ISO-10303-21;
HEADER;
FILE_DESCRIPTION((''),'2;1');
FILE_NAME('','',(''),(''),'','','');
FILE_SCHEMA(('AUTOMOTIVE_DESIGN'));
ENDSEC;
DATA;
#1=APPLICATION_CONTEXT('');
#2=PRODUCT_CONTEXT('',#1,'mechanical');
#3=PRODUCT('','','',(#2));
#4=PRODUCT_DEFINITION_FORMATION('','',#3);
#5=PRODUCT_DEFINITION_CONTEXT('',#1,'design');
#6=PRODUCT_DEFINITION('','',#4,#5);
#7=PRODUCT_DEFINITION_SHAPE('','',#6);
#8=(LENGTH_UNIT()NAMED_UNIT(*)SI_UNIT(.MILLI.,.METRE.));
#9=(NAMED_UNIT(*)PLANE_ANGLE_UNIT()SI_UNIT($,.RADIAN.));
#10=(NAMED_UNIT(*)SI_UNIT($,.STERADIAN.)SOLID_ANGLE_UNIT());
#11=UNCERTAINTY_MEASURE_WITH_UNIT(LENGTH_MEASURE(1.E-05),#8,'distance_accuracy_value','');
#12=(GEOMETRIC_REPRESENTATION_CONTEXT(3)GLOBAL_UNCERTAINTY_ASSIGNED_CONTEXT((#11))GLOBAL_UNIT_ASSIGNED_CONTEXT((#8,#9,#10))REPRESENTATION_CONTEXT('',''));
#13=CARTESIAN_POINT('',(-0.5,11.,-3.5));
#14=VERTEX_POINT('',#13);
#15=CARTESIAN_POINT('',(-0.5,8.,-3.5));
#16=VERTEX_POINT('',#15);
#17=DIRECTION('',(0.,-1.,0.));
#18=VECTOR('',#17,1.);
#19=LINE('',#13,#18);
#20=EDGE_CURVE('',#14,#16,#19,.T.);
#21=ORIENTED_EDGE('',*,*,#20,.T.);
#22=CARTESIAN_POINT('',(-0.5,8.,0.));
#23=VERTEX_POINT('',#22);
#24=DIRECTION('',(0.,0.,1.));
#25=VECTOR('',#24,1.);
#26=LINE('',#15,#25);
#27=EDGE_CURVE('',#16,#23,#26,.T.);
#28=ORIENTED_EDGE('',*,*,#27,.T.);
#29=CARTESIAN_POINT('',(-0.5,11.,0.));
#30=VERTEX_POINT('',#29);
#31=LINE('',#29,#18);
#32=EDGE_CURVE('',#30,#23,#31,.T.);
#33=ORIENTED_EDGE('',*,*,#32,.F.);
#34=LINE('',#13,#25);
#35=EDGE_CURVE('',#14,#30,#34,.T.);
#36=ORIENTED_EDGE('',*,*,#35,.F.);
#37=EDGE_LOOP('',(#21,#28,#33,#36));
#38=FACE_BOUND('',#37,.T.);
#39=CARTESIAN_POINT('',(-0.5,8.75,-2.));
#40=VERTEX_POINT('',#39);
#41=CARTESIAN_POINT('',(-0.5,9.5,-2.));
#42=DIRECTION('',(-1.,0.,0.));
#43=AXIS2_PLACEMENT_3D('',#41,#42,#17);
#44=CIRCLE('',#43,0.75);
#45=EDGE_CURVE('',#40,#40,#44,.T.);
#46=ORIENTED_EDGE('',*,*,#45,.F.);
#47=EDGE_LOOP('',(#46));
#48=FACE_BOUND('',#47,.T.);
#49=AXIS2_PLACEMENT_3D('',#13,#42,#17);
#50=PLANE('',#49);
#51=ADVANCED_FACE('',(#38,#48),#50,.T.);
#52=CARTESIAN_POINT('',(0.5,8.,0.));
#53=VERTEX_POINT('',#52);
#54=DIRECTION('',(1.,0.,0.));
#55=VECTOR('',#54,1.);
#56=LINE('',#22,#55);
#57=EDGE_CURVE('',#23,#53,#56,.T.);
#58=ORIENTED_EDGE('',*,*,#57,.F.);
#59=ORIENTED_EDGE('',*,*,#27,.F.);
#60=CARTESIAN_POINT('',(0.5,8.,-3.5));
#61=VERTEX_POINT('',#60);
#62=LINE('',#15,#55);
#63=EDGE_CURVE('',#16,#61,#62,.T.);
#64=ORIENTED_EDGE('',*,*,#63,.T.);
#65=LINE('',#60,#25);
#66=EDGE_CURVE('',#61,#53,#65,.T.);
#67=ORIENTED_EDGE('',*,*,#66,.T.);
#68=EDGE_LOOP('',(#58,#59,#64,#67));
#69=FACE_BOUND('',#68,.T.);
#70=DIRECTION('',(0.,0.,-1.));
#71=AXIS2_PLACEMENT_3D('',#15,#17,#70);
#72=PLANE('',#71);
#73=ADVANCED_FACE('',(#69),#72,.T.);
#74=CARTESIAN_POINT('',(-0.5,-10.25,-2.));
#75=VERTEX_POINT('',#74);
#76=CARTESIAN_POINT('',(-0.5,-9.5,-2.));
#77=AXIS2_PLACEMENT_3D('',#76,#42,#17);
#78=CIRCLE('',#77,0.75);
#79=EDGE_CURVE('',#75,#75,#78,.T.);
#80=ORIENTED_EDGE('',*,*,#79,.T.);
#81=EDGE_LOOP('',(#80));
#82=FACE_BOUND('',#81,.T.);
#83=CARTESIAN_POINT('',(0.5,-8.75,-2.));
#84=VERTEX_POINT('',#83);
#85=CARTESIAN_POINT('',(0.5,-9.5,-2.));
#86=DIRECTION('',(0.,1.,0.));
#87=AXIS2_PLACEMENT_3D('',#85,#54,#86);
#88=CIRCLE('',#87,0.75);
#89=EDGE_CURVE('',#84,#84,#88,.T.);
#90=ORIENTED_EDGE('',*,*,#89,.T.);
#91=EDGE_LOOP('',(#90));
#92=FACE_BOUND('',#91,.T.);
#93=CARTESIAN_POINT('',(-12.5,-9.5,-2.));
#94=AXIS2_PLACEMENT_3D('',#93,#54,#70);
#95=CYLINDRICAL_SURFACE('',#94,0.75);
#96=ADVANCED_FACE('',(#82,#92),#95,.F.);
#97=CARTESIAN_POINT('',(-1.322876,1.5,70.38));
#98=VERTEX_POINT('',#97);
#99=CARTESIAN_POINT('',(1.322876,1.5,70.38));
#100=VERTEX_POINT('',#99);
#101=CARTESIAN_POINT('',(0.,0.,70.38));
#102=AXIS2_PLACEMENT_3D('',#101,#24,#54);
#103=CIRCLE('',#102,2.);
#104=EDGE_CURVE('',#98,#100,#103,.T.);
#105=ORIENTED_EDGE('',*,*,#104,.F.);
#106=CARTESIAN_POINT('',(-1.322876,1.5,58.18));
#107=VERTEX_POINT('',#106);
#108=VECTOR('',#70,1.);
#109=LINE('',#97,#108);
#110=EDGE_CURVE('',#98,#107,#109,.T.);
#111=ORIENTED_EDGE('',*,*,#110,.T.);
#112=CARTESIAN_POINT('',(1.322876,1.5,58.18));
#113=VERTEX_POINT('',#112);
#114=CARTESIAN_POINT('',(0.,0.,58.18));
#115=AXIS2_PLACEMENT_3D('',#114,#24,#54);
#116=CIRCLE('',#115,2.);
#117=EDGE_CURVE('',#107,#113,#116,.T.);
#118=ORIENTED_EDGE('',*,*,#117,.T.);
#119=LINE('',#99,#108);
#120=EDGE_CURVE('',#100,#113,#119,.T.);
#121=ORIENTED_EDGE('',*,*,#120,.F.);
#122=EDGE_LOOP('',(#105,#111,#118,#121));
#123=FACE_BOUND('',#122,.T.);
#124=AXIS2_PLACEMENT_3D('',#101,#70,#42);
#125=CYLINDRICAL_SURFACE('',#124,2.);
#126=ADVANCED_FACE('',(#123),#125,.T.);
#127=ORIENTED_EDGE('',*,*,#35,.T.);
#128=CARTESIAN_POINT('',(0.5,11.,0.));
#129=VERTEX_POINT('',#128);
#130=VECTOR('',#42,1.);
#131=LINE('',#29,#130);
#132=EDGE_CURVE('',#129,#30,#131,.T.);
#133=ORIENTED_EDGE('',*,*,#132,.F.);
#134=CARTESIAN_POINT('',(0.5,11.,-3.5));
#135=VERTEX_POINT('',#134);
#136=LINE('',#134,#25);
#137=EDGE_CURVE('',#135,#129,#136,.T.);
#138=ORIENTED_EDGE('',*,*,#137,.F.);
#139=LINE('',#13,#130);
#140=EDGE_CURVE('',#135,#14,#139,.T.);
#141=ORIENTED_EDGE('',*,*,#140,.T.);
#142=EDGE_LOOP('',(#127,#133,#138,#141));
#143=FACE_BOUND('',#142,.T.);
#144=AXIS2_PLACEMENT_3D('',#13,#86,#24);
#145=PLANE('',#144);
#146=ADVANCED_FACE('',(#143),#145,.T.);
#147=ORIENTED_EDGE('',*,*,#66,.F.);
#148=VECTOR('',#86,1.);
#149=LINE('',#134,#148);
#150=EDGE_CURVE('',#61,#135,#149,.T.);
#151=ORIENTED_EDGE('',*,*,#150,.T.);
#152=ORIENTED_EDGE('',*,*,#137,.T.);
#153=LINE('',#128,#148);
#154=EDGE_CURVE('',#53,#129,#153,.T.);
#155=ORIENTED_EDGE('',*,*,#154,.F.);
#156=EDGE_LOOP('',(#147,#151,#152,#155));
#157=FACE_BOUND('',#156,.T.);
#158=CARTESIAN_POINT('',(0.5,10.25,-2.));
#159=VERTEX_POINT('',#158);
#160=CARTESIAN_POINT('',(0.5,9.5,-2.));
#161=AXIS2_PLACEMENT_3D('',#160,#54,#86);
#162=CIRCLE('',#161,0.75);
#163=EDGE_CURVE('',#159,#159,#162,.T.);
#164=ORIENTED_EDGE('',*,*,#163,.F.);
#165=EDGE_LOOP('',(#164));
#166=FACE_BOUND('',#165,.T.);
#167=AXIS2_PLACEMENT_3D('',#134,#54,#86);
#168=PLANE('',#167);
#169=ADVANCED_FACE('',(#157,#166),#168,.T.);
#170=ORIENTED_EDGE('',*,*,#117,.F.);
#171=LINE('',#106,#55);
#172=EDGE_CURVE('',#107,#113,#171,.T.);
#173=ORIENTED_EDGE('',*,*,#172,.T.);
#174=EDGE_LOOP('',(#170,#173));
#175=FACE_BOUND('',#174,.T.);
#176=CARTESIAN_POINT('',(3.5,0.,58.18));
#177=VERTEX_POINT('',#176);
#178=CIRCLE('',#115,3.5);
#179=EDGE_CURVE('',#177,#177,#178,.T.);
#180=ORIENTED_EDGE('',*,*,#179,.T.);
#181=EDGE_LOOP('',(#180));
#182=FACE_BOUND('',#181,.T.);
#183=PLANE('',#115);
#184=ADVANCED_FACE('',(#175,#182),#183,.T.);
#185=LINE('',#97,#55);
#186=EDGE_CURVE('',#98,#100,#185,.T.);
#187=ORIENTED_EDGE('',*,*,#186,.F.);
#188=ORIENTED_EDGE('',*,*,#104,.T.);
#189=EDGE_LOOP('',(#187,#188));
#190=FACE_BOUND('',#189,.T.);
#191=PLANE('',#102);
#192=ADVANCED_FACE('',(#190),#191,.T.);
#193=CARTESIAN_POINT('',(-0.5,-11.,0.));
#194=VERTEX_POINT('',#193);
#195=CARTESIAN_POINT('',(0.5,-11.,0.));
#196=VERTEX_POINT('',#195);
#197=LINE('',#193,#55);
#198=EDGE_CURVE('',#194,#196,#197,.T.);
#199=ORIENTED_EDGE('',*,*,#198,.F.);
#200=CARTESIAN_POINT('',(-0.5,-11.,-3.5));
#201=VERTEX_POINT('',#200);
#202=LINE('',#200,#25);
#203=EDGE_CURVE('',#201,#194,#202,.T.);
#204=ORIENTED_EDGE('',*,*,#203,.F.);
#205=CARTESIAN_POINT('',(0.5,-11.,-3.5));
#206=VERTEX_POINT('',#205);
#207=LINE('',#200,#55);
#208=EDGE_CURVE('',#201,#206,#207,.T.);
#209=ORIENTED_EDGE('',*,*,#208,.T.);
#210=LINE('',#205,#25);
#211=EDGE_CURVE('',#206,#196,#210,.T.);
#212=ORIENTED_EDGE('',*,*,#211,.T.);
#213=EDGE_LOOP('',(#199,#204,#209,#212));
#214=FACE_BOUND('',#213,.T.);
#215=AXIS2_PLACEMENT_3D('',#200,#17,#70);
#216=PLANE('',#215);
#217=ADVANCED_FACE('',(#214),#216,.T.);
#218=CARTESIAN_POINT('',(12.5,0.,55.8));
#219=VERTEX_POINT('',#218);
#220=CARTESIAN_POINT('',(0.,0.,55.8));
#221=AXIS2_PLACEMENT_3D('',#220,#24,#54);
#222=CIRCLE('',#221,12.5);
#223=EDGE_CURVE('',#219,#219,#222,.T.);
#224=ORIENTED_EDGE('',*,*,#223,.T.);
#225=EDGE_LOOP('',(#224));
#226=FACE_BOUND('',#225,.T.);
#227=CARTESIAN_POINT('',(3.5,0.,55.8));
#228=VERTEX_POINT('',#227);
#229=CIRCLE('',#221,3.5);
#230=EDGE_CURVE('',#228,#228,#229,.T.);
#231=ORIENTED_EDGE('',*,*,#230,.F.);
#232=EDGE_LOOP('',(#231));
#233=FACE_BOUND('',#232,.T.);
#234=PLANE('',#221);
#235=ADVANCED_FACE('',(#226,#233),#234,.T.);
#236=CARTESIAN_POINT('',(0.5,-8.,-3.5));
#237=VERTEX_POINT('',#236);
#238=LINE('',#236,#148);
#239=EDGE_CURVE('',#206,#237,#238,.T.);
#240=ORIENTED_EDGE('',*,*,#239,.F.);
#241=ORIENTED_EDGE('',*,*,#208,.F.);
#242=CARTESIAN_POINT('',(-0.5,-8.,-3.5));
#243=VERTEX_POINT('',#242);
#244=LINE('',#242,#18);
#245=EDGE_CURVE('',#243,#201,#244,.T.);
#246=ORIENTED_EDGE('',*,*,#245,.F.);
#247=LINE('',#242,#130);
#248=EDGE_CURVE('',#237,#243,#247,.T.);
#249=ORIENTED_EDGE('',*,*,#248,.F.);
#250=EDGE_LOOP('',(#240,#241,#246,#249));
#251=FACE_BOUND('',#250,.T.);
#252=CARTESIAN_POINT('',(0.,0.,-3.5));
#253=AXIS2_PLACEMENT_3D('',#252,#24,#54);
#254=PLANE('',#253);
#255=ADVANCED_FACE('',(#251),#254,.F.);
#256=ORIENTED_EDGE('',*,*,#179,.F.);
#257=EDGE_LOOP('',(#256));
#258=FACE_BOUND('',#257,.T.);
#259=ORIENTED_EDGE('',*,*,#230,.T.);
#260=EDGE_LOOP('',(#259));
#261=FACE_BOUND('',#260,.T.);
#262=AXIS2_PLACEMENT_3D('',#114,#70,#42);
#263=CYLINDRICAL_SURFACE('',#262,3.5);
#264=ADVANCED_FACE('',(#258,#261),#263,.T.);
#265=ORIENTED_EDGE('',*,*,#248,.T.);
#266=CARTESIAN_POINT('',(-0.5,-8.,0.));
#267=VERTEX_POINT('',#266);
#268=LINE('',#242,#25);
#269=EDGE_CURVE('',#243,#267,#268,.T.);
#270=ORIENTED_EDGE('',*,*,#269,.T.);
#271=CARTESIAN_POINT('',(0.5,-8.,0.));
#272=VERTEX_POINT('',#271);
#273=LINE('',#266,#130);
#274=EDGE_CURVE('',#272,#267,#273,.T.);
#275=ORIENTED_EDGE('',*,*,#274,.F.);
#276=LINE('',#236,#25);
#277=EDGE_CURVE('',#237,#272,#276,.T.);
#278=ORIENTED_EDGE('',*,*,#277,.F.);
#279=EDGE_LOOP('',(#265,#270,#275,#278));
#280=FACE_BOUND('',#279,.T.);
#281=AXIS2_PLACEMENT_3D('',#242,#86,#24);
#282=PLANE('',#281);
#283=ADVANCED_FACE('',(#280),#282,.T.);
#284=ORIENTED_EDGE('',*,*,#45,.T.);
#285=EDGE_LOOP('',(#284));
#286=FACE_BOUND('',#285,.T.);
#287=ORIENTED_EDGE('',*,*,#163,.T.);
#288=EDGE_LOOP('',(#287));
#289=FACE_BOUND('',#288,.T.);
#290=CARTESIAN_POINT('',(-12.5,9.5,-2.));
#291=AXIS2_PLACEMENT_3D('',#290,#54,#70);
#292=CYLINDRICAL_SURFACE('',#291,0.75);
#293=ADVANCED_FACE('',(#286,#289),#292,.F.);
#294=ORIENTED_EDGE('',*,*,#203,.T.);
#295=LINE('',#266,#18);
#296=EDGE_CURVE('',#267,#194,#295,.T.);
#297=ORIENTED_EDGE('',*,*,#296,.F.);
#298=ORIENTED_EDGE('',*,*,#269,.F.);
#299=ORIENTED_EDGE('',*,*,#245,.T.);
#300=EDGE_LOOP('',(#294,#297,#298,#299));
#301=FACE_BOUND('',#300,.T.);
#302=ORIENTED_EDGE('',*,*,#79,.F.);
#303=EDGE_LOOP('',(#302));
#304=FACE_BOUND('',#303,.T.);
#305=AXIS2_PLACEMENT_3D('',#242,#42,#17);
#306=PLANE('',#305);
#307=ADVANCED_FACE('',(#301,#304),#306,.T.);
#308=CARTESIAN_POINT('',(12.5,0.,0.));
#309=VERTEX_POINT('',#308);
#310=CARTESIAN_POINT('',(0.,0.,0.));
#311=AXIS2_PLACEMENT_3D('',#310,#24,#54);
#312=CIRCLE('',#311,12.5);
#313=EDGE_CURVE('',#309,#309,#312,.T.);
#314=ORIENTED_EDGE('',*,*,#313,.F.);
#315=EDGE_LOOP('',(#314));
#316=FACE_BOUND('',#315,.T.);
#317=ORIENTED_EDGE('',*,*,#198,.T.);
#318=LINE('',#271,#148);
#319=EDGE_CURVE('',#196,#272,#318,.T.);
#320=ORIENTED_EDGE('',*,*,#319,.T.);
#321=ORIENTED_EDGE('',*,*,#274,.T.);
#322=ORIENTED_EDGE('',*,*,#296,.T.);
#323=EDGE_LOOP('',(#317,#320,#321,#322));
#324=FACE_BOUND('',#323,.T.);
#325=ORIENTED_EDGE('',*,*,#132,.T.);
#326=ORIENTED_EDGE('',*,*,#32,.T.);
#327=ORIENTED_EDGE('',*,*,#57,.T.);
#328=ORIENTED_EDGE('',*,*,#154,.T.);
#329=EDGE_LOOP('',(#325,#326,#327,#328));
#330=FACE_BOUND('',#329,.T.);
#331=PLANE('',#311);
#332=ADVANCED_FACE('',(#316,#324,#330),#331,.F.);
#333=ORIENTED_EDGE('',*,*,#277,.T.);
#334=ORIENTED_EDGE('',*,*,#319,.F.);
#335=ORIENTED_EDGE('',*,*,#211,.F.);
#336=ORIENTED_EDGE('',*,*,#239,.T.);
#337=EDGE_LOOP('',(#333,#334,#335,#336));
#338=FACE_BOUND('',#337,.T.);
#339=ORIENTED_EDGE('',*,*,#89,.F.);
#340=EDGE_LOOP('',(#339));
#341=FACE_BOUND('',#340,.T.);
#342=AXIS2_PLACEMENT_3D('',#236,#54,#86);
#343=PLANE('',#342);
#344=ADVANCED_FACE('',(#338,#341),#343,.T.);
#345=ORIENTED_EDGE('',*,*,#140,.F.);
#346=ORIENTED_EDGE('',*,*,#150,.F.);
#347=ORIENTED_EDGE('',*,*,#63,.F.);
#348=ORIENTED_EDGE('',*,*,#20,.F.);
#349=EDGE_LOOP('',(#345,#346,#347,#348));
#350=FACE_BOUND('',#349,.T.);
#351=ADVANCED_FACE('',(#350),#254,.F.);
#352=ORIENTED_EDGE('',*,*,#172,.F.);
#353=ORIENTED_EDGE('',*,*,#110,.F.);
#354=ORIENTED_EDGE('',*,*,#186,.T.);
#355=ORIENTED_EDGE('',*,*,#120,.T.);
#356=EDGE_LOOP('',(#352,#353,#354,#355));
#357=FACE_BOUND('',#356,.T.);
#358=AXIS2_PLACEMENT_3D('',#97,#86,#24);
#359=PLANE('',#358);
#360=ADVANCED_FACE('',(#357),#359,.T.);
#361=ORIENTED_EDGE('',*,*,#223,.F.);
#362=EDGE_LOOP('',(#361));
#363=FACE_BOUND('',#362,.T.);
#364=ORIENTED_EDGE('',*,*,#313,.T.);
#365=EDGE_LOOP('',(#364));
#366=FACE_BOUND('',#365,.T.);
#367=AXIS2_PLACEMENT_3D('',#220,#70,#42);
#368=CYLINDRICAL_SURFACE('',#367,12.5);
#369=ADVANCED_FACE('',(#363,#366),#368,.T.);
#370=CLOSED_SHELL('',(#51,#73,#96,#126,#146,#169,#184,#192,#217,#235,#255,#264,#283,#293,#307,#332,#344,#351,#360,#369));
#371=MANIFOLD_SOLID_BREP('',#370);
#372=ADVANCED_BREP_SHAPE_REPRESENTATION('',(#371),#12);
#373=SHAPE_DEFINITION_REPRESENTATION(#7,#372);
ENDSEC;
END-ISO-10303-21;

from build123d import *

# Parameters (mm, degrees)
SKETCH1_R               = 12.5
BOSS_EXTRUDE1_DEPTH     = 55.8
BOSS_EXTRUDE2_START     = 55.8
SKETCH2_R               = 3.5
BOSS_EXTRUDE2_DEPTH     = 2.38
BOSS_EXTRUDE3_START     = 58.18
SKETCH3_R               = 2
BOSS_EXTRUDE3_DEPTH     = 12.2
SKETCH5_W               = 2.645751312
SKETCH5_H               = 1.197132969
CUT_EXTRUDE1_DEPTH      = 12.2
SKETCH6_W               = 1
SKETCH6_H               = 3
BOSS_EXTRUDE4_DEPTH     = 3.5
CUT_EXTRUDE2_DEPTH      = 73.566138109
CUT_EXTRUDE2_DEPTH_BACK = 73.566138109
SKETCH7_R               = 0.75


with BuildPart() as part:
    # Sketch1 → Boss-Extrude1 (new body)
    with BuildSketch(Plane.XY):
        Circle(SKETCH1_R)
    extrude(amount=BOSS_EXTRUDE1_DEPTH)

    # Sketch2 → Boss-Extrude2 (add)
    with BuildSketch(Plane.XY.offset(BOSS_EXTRUDE2_START)):
        Circle(SKETCH2_R)
    extrude(amount=BOSS_EXTRUDE2_DEPTH)

    # Sketch3 → Boss-Extrude3 (add)
    with BuildSketch(Plane.XY.offset(BOSS_EXTRUDE3_START)):
        Circle(SKETCH3_R)
    extrude(amount=BOSS_EXTRUDE3_DEPTH)

    # Sketch5 → Cut-Extrude1 (cut)
    with BuildSketch(Plane.XY.offset(58.18)):
        with Locations((0, 2.098566485)):
            Rectangle(SKETCH5_W, SKETCH5_H)
    extrude(amount=CUT_EXTRUDE1_DEPTH, mode=Mode.SUBTRACT)

    # Sketch6 → Boss-Extrude4 (add)
    with BuildSketch(Plane.XY):
        with Locations((0, 9.5)):
            Rectangle(SKETCH6_W, SKETCH6_H)
        with Locations((0, -9.5)):
            Rectangle(SKETCH6_W, SKETCH6_H)
    extrude(amount=-BOSS_EXTRUDE4_DEPTH)

    # Sketch7 → Cut-Extrude2 (cut, two sides: drawn at the far end of the back side and taken through both)
    with BuildSketch(Plane(origin=(0, 0, 0), x_dir=(0, 0, -1), z_dir=(1, 0, 0)).offset(-CUT_EXTRUDE2_DEPTH_BACK)):
        with Locations(Location((2, 9.5, 0), (0, 0, 90))):
            Circle(SKETCH7_R)
        with Locations(Location((2, -9.5, 0), (0, 0, 90))):
            Circle(SKETCH7_R)
    extrude(amount=CUT_EXTRUDE2_DEPTH + CUT_EXTRUDE2_DEPTH_BACK, mode=Mode.SUBTRACT)


solid = part.part
